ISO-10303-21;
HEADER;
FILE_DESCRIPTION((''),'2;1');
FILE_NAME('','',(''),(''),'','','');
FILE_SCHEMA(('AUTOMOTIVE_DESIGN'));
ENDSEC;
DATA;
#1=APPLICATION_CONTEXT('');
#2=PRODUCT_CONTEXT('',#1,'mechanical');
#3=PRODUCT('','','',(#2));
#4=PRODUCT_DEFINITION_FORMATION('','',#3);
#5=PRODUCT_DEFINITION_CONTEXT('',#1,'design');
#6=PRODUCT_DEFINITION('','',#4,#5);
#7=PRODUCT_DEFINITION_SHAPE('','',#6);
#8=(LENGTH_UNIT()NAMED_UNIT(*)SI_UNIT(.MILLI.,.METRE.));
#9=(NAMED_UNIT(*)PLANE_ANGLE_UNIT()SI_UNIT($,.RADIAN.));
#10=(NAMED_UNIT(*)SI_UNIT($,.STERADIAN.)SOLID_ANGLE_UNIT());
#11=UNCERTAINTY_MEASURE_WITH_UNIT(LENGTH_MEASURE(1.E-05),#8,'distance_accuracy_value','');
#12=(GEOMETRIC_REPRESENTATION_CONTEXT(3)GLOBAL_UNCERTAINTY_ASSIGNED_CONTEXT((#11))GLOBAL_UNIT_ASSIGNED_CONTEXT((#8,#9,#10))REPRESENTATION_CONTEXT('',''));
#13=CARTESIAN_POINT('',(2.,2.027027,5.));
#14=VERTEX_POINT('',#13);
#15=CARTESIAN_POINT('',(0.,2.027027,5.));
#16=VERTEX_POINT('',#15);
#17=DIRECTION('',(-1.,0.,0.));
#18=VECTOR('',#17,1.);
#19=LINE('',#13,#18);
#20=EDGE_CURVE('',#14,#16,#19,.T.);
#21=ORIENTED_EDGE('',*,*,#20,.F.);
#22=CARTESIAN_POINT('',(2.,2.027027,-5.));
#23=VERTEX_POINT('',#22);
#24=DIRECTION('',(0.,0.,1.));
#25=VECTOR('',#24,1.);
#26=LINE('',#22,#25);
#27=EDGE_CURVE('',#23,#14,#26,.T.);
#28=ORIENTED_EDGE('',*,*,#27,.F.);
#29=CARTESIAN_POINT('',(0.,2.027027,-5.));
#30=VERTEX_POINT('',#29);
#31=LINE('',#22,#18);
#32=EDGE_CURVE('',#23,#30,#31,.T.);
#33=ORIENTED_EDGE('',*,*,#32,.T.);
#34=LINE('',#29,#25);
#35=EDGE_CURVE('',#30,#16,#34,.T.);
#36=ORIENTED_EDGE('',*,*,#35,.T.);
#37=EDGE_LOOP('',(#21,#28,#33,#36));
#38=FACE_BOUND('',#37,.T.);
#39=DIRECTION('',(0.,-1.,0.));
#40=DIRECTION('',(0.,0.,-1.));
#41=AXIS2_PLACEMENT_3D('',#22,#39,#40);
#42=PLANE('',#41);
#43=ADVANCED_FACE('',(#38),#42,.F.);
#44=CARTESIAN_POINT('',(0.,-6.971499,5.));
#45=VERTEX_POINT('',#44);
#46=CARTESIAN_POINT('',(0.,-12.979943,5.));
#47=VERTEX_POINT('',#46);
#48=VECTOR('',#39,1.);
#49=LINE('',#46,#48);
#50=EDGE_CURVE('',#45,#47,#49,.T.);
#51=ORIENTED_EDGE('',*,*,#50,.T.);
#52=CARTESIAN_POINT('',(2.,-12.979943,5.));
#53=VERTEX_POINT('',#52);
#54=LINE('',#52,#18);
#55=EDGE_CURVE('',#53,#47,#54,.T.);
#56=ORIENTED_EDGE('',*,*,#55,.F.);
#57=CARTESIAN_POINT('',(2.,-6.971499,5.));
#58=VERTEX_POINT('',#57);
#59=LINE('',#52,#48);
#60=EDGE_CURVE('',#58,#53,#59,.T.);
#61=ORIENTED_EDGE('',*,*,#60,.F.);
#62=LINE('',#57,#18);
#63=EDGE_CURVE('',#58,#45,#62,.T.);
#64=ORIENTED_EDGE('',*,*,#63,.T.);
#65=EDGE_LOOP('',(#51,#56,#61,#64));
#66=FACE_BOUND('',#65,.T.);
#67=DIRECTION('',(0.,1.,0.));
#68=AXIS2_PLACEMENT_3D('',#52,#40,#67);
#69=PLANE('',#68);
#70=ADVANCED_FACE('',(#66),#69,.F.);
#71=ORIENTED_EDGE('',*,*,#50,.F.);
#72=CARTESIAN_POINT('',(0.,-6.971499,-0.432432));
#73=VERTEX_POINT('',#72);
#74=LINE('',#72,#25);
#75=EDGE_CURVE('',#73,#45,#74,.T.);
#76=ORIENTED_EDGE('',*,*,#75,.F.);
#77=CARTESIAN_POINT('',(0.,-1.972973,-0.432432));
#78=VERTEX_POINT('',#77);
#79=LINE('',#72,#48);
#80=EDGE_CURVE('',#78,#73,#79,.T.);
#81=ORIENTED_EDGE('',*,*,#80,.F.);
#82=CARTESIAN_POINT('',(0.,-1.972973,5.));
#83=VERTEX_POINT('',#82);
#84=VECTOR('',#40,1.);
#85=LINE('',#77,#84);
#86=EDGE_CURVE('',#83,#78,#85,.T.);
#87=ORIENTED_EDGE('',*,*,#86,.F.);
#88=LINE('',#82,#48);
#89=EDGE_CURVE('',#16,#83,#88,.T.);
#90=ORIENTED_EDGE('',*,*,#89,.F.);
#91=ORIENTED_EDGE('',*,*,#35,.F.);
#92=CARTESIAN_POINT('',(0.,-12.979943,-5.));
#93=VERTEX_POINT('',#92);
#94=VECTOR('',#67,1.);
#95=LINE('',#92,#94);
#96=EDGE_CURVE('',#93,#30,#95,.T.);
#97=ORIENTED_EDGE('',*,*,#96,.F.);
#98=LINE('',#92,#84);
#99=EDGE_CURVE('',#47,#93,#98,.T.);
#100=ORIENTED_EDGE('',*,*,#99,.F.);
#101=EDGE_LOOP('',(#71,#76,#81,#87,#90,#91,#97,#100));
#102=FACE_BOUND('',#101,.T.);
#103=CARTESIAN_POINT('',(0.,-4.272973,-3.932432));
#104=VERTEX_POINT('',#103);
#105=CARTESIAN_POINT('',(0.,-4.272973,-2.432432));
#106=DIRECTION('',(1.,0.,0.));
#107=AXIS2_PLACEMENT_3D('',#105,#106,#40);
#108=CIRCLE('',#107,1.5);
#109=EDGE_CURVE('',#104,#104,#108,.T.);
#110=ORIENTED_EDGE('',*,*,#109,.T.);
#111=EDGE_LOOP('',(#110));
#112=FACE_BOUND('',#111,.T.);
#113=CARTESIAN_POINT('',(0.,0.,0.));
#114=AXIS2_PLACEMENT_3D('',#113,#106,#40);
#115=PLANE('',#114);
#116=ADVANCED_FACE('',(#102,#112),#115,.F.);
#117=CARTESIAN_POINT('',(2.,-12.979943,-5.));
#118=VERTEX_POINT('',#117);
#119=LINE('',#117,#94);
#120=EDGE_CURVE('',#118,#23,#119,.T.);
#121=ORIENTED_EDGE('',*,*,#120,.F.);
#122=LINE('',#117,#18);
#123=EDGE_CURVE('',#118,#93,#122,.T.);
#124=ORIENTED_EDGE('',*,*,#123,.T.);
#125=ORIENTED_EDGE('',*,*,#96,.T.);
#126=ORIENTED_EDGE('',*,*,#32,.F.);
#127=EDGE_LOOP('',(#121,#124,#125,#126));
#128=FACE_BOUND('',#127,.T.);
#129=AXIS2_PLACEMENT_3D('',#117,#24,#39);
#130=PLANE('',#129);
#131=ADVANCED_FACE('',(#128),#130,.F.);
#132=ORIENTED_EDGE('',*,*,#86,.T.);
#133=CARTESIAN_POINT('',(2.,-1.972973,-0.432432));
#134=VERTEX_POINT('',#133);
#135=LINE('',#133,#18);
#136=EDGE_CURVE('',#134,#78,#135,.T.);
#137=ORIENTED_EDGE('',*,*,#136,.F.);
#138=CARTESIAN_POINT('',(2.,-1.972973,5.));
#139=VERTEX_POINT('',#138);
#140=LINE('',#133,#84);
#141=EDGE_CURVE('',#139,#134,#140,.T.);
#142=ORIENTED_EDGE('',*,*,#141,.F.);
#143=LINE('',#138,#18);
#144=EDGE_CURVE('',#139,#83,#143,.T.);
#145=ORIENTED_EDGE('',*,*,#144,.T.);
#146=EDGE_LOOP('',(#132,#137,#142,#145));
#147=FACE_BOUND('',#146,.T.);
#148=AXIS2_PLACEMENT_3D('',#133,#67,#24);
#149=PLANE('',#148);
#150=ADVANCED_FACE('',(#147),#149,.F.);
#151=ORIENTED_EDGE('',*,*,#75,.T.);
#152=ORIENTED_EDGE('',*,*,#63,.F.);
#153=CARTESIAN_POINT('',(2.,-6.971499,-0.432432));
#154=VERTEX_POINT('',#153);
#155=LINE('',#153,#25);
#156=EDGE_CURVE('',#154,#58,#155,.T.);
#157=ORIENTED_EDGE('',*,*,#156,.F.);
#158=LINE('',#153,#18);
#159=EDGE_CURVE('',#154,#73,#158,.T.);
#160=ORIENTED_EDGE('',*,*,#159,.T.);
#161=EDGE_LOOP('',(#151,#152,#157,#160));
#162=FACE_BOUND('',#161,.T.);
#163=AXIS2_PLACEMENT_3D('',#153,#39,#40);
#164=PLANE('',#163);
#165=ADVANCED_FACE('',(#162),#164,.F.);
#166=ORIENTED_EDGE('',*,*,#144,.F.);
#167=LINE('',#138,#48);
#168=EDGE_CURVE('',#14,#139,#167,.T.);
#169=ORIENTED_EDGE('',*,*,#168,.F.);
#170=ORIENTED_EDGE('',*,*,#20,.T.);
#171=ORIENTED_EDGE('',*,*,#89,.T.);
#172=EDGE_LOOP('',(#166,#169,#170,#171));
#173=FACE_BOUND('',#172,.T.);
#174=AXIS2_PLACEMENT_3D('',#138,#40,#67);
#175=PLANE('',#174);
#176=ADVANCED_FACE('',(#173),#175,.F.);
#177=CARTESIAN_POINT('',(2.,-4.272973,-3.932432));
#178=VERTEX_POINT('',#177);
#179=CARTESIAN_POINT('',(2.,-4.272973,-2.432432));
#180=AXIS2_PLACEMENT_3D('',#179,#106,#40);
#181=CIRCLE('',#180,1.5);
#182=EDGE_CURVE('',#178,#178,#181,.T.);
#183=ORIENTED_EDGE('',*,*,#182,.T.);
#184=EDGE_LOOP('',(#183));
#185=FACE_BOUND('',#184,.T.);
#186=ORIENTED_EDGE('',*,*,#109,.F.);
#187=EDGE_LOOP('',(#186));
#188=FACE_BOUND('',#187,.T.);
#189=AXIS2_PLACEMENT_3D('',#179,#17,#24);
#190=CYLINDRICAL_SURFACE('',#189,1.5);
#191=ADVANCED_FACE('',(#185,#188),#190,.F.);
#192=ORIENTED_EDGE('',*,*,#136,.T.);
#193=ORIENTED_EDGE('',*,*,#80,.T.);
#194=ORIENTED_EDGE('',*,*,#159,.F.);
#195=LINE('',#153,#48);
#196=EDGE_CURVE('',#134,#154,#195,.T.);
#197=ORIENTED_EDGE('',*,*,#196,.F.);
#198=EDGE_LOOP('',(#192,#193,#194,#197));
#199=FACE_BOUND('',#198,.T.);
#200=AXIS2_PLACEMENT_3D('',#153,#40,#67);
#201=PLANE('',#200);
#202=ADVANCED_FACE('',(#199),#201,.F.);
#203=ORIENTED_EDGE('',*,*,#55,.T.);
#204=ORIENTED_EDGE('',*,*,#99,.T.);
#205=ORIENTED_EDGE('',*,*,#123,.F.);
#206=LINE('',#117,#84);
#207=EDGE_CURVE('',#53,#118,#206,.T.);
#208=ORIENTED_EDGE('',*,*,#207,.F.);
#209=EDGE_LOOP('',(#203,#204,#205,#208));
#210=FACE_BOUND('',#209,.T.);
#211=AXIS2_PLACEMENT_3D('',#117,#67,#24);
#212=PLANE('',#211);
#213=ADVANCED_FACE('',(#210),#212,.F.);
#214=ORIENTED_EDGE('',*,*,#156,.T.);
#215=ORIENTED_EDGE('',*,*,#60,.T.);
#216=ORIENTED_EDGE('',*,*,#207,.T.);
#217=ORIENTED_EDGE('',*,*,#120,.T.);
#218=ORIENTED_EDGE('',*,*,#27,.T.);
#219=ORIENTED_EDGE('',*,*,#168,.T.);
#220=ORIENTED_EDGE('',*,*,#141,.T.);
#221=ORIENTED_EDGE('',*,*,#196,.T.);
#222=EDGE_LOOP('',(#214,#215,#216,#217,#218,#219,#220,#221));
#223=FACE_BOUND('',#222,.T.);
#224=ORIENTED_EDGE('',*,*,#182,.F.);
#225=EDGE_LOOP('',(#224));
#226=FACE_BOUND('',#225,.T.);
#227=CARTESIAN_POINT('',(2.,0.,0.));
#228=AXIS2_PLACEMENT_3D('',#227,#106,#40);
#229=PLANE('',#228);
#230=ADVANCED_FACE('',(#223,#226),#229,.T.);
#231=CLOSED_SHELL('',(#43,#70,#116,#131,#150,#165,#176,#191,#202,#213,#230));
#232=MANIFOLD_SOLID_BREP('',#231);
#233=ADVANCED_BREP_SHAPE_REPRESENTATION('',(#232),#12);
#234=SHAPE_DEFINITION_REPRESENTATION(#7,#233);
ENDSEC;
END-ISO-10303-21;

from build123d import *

# Parameters (mm, degrees)
SKETCH1_R           = 1.5
BOSS_EXTRUDE1_DEPTH = 2


with BuildPart() as part:
    # Sketch1 → Boss-Extrude1 (new body)
    with BuildSketch(Plane(origin=(0, 0, 0), x_dir=(0, 0, -1), z_dir=(1, 0, 0))):
        Polygon((0.432432432, -6.97149937), (-5, -6.97149937), (-5, -12.979942714), (5, -12.979942714), (5, 2.027027027), (-5, 2.027027027), (-5, -1.972972973), (0.432432432, -1.972972973), align=None)
        with Locations((2.432432432, -4.272972973)):
            Circle(SKETCH1_R, mode=Mode.SUBTRACT)
    extrude(amount=BOSS_EXTRUDE1_DEPTH)


solid = part.part
